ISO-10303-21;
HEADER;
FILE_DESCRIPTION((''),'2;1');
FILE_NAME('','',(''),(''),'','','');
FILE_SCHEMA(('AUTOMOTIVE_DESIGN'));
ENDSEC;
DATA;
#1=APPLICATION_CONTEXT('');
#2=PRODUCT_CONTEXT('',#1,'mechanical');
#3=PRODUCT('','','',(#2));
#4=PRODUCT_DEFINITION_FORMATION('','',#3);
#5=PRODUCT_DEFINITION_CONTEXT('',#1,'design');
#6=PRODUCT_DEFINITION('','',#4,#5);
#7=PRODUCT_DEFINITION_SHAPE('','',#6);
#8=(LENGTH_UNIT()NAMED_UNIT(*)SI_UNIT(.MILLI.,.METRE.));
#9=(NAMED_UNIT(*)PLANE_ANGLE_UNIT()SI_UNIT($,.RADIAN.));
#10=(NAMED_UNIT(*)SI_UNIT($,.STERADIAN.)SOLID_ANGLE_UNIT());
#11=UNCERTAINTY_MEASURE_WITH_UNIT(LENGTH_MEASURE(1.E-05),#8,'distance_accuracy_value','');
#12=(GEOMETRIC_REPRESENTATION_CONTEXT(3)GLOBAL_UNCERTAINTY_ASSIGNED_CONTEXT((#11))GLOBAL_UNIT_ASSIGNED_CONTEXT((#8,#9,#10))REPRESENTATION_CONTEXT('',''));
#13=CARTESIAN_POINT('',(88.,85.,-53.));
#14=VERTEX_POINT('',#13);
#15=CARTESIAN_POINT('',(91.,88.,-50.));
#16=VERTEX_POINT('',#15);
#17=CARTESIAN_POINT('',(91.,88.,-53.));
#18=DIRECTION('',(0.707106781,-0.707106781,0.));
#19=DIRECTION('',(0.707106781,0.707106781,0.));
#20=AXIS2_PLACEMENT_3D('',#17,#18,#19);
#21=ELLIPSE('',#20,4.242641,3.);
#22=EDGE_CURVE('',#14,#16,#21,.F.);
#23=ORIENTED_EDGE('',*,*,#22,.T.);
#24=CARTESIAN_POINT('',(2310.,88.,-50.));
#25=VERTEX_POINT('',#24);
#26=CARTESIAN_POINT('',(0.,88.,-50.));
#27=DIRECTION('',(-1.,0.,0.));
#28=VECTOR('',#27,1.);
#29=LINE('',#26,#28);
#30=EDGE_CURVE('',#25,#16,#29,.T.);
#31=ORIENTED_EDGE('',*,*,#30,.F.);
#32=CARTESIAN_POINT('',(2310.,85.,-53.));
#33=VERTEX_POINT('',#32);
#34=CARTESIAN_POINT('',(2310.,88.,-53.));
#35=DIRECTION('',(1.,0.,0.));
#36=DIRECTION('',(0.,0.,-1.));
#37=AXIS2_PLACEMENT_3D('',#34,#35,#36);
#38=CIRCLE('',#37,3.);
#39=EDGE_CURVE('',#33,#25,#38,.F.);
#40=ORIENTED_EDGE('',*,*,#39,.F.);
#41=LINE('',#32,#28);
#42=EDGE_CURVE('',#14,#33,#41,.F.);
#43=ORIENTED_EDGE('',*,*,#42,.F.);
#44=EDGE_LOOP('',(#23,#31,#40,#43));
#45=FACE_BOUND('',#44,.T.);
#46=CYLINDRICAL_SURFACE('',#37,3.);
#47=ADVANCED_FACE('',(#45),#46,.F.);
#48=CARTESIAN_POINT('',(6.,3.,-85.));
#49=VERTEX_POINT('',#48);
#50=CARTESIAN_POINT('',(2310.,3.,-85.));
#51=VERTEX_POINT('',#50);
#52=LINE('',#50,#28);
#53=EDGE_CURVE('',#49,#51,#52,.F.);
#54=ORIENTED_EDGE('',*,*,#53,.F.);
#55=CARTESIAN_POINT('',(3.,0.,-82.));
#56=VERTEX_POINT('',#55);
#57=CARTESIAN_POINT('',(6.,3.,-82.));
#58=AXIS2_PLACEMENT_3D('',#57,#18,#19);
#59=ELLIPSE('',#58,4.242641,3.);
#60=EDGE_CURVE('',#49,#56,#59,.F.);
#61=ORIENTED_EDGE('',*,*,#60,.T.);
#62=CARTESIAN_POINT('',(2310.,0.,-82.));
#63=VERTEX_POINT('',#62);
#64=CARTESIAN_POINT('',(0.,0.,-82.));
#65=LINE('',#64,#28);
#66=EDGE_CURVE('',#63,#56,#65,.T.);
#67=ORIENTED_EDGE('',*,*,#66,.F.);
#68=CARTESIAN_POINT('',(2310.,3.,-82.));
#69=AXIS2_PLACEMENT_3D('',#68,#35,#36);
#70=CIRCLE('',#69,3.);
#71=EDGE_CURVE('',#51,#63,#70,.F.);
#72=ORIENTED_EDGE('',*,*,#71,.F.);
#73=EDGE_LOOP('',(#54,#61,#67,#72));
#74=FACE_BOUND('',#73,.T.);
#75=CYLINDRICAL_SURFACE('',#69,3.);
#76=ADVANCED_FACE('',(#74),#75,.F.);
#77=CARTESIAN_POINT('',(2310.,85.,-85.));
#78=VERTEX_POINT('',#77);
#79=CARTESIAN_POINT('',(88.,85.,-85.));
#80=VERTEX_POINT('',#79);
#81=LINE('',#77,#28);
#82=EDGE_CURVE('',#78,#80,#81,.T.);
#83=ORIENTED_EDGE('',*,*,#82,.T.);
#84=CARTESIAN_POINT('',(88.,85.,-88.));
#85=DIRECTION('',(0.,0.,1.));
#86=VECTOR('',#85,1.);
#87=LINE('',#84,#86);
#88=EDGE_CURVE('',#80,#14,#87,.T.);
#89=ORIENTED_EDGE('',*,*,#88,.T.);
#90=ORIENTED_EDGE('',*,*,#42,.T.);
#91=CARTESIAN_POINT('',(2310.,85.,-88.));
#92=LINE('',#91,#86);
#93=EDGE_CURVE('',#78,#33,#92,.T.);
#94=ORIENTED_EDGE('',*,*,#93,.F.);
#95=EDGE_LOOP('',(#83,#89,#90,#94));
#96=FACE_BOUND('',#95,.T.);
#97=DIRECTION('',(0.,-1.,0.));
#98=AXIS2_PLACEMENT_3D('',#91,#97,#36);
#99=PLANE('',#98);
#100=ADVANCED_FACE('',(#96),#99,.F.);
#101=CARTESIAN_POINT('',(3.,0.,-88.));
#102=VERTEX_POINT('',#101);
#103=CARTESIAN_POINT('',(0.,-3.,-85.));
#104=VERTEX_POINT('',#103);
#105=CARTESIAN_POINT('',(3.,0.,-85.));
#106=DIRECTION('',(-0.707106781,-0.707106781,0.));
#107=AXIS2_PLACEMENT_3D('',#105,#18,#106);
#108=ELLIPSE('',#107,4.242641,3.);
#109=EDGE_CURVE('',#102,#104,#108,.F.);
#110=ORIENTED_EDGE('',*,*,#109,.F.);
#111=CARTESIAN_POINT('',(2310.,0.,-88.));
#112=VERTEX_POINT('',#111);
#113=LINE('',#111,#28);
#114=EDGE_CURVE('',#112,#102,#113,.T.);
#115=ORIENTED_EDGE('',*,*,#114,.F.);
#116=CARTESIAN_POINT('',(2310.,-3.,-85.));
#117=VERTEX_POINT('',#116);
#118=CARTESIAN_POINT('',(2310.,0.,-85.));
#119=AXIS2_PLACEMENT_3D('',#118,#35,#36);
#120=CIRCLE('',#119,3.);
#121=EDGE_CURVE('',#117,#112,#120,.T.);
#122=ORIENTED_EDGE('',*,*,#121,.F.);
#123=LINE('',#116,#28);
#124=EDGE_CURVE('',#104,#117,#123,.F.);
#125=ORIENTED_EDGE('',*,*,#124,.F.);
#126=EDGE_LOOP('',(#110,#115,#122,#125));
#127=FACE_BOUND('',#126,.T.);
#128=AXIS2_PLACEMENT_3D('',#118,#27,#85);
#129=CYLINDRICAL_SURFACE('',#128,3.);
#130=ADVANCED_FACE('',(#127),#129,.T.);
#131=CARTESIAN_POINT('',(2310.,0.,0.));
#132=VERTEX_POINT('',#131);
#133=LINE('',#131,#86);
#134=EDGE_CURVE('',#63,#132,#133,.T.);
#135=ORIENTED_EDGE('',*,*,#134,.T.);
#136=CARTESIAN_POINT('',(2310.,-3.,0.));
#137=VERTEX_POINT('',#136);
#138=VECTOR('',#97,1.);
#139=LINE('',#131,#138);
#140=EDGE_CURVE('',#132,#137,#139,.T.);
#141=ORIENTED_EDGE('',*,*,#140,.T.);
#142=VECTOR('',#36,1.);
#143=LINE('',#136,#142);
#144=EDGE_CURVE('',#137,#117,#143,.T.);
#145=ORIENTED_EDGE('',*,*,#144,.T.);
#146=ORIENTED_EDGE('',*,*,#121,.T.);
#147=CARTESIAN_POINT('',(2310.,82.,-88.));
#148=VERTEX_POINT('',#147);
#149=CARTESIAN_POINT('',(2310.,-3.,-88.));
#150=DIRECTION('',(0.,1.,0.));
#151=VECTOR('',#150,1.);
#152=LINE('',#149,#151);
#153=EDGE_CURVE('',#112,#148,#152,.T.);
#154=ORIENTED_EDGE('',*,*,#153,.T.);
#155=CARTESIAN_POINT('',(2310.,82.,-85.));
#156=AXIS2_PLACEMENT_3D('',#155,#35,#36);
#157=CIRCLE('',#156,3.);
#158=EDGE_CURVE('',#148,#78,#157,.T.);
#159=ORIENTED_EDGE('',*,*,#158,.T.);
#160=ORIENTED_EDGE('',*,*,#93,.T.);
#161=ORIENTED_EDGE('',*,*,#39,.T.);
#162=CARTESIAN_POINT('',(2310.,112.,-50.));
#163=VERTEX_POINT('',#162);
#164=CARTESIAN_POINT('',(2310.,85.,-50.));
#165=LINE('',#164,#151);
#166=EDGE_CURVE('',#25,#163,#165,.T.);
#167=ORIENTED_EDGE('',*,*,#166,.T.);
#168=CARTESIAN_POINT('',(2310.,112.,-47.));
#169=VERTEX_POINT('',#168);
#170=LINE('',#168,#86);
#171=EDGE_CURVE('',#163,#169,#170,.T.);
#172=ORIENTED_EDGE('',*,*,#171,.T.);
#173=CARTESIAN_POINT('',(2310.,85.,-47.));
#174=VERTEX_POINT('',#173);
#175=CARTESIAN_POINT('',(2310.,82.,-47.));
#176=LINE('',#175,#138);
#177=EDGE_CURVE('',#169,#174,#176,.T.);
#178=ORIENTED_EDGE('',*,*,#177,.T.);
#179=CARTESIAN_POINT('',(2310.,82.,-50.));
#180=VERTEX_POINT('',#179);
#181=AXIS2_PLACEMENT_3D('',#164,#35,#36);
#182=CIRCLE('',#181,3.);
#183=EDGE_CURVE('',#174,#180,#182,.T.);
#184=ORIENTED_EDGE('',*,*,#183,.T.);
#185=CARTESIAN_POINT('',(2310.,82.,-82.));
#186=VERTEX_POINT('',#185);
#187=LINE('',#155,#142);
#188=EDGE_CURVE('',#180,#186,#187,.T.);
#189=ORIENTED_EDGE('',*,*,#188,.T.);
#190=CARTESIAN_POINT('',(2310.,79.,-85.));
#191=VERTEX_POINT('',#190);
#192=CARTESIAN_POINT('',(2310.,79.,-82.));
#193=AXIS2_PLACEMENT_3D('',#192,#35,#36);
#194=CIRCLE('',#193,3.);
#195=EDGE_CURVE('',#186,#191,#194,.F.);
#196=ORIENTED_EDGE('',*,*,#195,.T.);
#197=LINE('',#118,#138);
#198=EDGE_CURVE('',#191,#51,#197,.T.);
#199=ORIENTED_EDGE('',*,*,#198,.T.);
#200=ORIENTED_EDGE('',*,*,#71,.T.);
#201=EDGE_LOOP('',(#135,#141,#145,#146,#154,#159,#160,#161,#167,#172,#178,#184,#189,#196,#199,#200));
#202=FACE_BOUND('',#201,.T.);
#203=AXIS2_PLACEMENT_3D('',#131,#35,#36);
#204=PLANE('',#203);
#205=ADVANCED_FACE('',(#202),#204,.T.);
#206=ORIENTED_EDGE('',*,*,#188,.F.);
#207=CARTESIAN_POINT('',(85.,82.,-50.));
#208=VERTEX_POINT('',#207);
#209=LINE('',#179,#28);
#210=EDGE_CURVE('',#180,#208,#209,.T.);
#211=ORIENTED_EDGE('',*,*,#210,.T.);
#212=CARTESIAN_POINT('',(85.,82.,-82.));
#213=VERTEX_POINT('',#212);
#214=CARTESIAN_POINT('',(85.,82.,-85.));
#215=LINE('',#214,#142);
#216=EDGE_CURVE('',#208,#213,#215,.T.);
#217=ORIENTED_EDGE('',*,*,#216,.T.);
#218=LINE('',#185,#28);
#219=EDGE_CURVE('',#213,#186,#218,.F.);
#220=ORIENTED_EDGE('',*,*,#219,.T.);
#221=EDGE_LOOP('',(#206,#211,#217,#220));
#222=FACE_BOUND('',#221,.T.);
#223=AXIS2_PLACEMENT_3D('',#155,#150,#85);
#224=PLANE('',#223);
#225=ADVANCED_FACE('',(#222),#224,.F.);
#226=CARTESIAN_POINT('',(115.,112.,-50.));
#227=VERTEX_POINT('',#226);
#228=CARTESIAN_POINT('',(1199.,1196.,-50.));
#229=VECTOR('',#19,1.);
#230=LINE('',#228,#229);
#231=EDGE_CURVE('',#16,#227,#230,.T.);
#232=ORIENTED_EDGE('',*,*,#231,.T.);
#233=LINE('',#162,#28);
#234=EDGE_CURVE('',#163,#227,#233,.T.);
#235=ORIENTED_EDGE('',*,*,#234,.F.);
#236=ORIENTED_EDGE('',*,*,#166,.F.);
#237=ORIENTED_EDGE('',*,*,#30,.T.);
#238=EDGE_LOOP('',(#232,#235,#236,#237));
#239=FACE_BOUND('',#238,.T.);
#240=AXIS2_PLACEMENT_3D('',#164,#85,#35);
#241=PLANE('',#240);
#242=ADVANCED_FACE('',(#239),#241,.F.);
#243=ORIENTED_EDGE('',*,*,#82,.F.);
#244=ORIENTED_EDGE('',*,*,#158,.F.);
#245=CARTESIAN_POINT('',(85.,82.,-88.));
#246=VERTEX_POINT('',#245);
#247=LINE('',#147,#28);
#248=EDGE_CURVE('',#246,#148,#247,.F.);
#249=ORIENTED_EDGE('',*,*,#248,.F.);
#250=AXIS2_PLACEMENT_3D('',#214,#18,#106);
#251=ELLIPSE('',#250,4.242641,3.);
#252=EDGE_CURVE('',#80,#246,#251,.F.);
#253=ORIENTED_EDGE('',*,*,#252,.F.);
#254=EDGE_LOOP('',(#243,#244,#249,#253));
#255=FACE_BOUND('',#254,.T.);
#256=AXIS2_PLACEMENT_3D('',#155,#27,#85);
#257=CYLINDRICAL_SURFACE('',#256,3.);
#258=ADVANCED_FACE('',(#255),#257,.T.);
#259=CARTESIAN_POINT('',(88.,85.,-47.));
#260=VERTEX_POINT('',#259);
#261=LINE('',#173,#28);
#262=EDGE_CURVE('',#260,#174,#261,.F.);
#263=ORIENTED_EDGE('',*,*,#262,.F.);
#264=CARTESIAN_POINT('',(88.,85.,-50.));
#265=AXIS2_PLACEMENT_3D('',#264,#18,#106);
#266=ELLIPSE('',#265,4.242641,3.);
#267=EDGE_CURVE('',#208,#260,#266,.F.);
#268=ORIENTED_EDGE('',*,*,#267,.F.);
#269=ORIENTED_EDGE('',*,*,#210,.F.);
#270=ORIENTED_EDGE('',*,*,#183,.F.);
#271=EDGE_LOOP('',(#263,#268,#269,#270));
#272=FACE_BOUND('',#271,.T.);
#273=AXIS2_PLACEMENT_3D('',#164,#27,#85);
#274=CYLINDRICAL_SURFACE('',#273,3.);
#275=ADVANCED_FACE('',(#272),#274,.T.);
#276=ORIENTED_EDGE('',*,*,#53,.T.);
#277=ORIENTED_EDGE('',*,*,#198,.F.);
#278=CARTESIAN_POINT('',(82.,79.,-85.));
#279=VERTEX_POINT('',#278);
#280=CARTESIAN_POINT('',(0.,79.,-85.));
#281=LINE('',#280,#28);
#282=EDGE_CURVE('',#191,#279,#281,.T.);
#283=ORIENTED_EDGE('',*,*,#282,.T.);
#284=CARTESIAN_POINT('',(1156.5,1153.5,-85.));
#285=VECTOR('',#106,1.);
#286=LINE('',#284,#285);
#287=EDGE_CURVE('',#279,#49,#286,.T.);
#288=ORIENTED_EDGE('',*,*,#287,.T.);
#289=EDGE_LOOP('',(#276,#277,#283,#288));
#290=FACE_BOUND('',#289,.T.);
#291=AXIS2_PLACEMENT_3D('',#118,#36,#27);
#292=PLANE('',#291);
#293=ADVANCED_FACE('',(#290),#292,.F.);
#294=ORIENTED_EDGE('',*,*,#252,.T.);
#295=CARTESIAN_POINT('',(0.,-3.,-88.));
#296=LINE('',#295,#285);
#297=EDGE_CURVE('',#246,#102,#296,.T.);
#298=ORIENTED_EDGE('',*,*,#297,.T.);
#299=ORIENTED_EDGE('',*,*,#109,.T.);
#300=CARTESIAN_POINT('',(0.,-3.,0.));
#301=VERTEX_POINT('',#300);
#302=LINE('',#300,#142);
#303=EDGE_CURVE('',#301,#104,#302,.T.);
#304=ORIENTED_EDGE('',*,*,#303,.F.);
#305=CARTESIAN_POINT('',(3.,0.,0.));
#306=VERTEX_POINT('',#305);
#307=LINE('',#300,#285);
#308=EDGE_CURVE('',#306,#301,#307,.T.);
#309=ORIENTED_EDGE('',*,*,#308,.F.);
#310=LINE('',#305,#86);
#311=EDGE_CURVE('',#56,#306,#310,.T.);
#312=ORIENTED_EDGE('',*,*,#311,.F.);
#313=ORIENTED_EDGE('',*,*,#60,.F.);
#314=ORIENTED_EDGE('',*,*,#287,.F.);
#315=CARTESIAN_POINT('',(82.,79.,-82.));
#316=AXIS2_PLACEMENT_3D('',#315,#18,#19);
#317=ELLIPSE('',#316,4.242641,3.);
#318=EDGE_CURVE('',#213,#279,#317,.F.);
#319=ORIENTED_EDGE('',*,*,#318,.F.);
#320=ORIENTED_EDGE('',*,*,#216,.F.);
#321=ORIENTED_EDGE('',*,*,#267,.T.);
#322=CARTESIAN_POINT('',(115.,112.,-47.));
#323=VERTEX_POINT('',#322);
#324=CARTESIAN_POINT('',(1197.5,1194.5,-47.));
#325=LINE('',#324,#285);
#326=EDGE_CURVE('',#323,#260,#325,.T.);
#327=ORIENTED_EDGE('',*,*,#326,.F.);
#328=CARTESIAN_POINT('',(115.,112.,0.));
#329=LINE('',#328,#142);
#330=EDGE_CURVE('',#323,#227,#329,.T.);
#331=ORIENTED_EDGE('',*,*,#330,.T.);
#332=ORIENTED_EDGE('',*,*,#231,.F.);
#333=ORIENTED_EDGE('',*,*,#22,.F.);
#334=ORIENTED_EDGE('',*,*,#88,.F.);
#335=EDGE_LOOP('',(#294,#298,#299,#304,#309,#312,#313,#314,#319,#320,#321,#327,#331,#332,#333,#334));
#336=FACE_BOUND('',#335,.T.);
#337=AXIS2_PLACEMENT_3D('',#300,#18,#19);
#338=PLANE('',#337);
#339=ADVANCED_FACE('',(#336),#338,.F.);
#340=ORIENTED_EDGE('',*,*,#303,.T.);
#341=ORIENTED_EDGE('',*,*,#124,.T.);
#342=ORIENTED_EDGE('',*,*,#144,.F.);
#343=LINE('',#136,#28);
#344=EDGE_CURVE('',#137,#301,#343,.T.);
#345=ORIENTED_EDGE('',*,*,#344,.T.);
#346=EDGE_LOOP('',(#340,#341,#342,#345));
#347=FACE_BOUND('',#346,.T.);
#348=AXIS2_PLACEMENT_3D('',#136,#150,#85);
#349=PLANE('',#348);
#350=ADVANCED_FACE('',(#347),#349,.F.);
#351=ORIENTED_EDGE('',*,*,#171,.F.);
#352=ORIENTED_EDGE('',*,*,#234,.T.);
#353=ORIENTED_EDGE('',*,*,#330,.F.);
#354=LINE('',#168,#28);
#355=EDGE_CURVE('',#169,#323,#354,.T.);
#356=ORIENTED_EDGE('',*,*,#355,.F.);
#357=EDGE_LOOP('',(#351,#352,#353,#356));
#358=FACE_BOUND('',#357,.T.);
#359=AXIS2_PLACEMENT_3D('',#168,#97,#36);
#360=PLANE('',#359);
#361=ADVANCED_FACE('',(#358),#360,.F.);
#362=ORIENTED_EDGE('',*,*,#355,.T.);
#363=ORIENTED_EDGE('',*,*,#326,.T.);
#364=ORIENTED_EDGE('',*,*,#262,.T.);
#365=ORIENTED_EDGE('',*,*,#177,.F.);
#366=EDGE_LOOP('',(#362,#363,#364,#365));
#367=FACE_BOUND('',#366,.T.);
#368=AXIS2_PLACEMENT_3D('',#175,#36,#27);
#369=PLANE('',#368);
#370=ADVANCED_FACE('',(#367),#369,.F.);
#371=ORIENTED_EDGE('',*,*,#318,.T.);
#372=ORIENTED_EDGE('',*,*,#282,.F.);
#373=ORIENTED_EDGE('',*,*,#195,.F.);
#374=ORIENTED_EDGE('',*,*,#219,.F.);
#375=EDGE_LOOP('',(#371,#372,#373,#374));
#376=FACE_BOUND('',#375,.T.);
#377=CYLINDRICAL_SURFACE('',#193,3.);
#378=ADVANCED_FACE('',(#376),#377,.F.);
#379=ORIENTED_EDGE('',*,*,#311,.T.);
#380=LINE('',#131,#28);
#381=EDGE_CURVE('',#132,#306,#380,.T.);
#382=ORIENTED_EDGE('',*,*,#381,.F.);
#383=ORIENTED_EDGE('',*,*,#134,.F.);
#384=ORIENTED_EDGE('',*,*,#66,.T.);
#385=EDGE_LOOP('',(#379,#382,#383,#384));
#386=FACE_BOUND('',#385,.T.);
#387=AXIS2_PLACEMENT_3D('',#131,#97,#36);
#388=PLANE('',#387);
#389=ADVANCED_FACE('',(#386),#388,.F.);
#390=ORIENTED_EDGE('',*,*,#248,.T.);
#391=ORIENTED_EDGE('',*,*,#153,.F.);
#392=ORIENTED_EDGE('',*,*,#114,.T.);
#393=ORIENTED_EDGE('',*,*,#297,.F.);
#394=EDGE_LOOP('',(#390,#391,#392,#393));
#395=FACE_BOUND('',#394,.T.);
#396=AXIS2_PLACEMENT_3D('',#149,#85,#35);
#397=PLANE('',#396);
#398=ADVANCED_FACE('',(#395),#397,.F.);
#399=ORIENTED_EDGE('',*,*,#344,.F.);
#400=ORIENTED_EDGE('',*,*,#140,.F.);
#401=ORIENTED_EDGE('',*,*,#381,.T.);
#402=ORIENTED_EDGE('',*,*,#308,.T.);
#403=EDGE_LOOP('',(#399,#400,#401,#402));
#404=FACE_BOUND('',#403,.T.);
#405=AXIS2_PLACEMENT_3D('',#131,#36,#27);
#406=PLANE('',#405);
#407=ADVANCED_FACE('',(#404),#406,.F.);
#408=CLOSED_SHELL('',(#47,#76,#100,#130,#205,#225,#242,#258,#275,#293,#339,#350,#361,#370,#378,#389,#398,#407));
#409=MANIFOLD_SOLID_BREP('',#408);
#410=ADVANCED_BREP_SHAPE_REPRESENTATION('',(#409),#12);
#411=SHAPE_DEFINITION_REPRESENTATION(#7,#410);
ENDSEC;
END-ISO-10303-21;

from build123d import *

# Parameters (mm, degrees)
BOSS_EXTRUDE1_DEPTH = 2310
FILLET1_R           = 3
CUT_EXTRUDE1_DEPTH  = 88


with BuildPart() as part:
    # Sketch1 → Boss-Extrude1 (new body)
    with BuildSketch(Plane(origin=(0, 0, 0), x_dir=(0, 0, -1), z_dir=(1, 0, 0))):
        Polygon((0, 0), (85, 0), (85, 82), (47, 82), (47, 112), (50, 112), (50, 85), (88, 85), (88, -3), (0, -3), align=None)
    extrude(amount=BOSS_EXTRUDE1_DEPTH)

    # Fillet1
    fillet1_edges = [part.edges().sort_by_distance(p)[0] for p in [
        (1155, 0, -85),
        (1155, 82, -85),
        (1155, 82, -47),
        (1155, 85, -50),
        (1155, 85, -88),
        (1155, -3, -88),
    ]]
    fillet(fillet1_edges, radius=FILLET1_R)

    # Sketch2 → Cut-Extrude1 (cut)
    with BuildSketch(Plane(origin=(0, 0, -88), x_dir=(-1, 0, 0), z_dir=(0, 0, -1))):
        Polygon((0, -3), (-115, 112), (0, 112), align=None)
    extrude(amount=-CUT_EXTRUDE1_DEPTH, mode=Mode.SUBTRACT)


solid = part.part
